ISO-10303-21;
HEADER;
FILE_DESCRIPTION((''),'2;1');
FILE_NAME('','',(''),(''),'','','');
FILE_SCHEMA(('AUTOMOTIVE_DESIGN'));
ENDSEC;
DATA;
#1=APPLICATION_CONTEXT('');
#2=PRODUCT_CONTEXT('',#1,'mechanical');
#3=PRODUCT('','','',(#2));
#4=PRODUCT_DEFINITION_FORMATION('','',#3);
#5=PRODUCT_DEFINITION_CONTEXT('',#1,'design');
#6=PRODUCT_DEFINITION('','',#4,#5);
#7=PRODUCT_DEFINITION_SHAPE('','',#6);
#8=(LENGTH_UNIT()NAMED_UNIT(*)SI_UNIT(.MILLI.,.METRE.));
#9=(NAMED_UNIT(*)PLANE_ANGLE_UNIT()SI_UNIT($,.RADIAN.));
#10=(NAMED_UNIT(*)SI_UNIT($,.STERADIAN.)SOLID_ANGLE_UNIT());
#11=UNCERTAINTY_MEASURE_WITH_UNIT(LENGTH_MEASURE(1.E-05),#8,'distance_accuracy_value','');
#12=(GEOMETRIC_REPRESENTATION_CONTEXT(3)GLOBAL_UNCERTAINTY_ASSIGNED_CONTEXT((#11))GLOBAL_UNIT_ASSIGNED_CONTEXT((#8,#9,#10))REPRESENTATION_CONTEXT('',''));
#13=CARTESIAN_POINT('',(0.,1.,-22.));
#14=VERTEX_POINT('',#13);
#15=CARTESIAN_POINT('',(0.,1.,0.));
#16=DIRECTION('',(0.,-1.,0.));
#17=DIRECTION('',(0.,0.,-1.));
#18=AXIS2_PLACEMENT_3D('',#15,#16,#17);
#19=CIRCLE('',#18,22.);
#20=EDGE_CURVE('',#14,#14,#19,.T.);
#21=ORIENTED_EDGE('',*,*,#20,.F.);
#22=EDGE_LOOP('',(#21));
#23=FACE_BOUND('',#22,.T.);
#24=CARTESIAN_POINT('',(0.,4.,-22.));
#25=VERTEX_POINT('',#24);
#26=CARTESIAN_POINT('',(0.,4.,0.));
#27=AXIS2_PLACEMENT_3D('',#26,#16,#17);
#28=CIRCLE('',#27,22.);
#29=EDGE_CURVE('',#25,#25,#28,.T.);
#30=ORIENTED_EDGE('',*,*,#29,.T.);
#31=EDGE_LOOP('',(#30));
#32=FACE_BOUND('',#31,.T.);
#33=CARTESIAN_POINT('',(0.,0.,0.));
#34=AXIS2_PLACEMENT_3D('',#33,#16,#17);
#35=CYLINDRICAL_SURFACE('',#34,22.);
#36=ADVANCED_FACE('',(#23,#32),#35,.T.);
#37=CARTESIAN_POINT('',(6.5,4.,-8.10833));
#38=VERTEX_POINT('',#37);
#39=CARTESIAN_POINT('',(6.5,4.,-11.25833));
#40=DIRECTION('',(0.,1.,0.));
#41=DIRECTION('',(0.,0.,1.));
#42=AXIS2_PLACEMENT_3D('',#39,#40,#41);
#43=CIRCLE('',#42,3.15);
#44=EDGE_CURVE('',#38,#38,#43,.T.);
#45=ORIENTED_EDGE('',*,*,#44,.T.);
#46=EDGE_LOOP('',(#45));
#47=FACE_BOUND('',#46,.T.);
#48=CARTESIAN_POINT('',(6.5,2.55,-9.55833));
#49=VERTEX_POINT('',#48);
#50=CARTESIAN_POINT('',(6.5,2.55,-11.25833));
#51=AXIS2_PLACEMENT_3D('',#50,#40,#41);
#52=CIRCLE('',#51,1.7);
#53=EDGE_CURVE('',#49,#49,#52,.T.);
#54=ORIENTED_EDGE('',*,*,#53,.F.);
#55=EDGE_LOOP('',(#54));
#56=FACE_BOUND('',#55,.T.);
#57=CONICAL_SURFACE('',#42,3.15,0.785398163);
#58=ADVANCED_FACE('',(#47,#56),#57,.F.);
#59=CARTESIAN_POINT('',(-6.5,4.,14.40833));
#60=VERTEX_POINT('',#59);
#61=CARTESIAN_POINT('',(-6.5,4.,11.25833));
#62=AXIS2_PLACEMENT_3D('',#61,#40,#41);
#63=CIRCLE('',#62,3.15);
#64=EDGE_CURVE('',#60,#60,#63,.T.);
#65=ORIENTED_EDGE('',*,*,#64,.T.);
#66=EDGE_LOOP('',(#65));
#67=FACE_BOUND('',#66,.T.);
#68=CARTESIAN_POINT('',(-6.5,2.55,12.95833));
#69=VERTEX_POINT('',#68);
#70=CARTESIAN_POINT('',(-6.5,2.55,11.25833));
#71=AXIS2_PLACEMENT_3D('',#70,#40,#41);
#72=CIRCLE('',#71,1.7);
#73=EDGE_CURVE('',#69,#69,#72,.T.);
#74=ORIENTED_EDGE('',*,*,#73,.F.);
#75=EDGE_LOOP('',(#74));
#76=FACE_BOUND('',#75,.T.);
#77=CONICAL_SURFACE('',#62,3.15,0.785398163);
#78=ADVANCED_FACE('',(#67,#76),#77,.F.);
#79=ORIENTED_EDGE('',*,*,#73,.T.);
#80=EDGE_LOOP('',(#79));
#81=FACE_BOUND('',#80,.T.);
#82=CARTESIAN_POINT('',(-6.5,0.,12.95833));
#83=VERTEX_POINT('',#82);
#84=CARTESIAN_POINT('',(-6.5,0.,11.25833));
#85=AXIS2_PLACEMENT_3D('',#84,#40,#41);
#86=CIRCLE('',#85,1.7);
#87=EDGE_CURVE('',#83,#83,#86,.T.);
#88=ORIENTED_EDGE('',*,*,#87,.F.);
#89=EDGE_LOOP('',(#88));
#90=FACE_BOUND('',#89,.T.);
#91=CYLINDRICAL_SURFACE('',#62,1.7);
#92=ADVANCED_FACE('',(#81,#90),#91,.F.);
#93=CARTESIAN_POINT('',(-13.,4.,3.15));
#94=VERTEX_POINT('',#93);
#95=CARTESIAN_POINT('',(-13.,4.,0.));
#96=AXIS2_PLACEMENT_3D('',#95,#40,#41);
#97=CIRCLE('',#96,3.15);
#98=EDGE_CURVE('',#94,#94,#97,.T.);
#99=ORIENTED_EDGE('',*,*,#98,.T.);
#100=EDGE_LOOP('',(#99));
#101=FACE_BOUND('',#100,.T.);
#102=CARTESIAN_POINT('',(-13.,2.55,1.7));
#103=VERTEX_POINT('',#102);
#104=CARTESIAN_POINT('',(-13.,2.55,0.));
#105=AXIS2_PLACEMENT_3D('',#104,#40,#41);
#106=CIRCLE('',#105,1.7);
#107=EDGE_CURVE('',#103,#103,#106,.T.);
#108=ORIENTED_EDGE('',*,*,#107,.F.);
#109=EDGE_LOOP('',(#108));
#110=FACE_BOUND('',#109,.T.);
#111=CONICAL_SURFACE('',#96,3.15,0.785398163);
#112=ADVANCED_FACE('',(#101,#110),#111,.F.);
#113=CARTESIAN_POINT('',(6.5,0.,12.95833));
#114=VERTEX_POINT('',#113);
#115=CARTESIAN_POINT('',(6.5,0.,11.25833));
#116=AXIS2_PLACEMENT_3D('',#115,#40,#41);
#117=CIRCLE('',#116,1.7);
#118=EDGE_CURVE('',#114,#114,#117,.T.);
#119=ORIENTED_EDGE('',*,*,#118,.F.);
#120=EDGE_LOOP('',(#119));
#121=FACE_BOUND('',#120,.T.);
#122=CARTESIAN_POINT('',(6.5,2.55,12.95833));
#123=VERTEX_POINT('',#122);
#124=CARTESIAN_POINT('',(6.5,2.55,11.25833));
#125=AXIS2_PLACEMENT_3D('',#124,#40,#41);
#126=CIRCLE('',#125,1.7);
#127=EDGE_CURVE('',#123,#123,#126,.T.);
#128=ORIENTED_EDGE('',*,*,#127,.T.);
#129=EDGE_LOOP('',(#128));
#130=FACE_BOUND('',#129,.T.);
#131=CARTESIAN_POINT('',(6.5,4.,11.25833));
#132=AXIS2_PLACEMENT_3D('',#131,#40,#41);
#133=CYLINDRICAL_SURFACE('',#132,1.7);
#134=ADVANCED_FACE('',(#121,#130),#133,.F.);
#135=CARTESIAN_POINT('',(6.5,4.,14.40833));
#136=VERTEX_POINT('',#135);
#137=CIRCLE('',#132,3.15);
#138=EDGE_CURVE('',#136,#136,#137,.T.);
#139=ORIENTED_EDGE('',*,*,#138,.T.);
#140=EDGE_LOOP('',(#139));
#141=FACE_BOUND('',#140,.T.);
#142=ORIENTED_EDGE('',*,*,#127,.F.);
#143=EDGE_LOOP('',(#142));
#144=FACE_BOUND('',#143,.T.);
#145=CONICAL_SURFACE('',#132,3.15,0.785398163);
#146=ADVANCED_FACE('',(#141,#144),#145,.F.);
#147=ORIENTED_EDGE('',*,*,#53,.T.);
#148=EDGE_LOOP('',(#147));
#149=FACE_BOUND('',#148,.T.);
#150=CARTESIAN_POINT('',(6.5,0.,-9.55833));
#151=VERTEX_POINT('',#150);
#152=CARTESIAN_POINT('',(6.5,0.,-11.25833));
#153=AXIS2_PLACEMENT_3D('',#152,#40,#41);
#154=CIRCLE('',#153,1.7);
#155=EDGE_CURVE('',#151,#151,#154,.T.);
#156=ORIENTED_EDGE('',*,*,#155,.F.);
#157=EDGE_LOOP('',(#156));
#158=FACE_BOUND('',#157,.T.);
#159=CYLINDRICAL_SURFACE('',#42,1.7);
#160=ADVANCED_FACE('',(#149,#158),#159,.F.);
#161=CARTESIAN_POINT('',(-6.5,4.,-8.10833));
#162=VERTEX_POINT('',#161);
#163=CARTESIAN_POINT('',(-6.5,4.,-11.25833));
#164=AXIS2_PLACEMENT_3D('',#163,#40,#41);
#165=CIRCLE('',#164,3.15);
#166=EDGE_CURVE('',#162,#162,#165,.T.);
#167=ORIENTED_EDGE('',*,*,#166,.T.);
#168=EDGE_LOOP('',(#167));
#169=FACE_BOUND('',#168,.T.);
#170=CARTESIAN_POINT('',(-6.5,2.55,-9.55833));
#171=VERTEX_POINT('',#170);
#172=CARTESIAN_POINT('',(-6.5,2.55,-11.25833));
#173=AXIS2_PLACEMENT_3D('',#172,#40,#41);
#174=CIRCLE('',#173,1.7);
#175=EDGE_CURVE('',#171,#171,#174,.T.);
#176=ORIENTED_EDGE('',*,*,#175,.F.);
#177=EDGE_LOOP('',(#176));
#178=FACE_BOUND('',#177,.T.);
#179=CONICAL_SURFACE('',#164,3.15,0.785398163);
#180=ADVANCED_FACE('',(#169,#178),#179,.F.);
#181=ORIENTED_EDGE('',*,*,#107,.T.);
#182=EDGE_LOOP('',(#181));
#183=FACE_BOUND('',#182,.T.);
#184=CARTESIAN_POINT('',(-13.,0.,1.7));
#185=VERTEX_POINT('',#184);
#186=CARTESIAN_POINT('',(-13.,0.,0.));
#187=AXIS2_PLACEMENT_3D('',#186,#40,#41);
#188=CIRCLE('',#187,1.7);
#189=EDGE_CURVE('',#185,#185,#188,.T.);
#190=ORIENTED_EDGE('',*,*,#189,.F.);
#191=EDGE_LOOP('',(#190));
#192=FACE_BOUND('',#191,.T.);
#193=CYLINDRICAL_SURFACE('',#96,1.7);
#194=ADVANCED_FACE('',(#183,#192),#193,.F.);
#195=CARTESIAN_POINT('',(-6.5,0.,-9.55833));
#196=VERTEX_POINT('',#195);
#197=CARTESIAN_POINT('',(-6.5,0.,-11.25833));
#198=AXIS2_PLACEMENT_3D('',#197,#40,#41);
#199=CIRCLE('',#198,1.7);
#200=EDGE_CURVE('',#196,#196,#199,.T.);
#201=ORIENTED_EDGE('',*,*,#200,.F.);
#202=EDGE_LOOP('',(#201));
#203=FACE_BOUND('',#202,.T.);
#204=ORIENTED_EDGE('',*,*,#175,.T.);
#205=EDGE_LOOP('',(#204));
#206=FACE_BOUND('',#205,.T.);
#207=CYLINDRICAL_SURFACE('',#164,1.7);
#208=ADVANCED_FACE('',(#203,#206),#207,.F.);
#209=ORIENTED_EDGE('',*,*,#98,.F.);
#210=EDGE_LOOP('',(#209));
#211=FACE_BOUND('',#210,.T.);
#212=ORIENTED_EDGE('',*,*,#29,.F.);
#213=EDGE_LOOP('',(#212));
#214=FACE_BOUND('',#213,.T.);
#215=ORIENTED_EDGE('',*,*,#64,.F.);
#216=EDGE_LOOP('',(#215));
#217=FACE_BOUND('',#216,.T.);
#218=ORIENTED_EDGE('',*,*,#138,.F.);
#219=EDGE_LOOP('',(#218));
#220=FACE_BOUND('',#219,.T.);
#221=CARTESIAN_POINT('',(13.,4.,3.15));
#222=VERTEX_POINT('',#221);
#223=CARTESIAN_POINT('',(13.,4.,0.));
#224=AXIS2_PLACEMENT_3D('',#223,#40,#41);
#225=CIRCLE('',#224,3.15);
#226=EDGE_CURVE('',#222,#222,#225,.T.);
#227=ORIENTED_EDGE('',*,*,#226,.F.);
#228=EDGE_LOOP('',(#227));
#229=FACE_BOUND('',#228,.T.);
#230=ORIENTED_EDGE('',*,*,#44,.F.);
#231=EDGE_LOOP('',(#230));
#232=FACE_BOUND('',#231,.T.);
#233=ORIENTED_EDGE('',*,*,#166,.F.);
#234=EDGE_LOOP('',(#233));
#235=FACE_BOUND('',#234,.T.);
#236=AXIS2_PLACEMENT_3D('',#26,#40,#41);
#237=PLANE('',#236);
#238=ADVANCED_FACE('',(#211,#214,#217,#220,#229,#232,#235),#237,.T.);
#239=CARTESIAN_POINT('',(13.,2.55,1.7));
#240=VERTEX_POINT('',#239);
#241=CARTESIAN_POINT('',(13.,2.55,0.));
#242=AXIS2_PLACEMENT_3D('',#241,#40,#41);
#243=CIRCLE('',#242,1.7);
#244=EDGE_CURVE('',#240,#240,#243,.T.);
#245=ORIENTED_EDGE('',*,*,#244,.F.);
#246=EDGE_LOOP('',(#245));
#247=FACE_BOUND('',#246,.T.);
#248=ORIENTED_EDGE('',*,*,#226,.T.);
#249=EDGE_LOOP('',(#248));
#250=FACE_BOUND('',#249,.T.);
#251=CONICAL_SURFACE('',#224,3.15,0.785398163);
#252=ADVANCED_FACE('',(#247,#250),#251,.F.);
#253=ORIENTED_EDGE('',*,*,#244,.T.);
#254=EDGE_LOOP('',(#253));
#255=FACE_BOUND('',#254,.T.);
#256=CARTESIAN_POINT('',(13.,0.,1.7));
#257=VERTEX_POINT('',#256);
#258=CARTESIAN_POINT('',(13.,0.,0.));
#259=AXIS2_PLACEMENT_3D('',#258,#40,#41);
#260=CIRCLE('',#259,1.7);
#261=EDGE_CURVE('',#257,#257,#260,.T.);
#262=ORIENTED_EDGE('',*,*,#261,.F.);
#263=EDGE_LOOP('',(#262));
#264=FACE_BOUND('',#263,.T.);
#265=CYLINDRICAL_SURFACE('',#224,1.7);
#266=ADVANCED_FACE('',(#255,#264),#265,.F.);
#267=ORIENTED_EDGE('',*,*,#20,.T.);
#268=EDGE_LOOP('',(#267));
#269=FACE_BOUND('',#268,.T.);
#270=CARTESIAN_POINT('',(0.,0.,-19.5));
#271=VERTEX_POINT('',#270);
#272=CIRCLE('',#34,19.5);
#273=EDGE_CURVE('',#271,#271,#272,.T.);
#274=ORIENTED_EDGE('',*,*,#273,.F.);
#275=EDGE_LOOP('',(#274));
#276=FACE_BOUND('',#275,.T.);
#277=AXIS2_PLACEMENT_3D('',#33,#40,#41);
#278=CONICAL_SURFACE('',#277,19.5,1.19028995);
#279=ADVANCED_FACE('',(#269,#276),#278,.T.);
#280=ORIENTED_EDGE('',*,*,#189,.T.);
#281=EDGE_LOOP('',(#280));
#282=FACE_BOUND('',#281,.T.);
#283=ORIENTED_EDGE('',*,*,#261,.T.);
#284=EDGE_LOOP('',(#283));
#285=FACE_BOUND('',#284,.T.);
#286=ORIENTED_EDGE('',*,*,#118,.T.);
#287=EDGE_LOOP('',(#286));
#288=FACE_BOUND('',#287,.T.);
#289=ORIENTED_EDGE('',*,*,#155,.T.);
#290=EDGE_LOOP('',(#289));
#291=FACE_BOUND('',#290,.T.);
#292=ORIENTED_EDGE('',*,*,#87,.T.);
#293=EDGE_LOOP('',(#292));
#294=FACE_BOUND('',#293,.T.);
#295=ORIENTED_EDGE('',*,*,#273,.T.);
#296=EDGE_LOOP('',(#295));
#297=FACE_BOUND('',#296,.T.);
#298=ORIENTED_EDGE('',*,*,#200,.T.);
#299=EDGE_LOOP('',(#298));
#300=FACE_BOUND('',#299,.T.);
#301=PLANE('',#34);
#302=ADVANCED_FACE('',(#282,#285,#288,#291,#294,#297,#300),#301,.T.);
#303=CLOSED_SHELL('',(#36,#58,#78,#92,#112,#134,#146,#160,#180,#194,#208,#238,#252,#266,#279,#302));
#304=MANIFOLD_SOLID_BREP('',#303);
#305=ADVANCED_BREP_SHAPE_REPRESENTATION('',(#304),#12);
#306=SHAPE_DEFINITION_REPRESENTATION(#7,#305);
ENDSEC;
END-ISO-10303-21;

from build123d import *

# Parameters (mm, degrees)
HOLE_WIZARD_M31_D           = 3.4
HOLE_WIZARD_M31_CSINK_D     = 6.3
HOLE_WIZARD_M31_CSINK_ANGLE = 90


with BuildPart() as part:
    # Эскиз1 → Повернуть1 (revolve)
    with BuildSketch(Plane(origin=(0, 0, 0), x_dir=(0, 0, -1), z_dir=(1, 0, 0))):
        Polygon((22, 1), (22, 4), (0, 4), (0, 0), (19.5, 0), align=None)
    revolve(axis=Axis((0, 0, 0), (0, 1, 0)))

    # Зенковка для винта с полупотайной головкой M31 (through all)
    with Locations(Plane(origin=(0, 4, 0), x_dir=(1, 0, 0), z_dir=(0, 1, 0))):
        with Locations((6.5, 11.258330249), (13, 0), (6.5, -11.258330249), (-6.5, -11.258330249), (-13, 0), (-6.5, 11.258330249)):
            CounterSinkHole(HOLE_WIZARD_M31_D / 2, HOLE_WIZARD_M31_CSINK_D / 2, counter_sink_angle=HOLE_WIZARD_M31_CSINK_ANGLE)


solid = part.part
